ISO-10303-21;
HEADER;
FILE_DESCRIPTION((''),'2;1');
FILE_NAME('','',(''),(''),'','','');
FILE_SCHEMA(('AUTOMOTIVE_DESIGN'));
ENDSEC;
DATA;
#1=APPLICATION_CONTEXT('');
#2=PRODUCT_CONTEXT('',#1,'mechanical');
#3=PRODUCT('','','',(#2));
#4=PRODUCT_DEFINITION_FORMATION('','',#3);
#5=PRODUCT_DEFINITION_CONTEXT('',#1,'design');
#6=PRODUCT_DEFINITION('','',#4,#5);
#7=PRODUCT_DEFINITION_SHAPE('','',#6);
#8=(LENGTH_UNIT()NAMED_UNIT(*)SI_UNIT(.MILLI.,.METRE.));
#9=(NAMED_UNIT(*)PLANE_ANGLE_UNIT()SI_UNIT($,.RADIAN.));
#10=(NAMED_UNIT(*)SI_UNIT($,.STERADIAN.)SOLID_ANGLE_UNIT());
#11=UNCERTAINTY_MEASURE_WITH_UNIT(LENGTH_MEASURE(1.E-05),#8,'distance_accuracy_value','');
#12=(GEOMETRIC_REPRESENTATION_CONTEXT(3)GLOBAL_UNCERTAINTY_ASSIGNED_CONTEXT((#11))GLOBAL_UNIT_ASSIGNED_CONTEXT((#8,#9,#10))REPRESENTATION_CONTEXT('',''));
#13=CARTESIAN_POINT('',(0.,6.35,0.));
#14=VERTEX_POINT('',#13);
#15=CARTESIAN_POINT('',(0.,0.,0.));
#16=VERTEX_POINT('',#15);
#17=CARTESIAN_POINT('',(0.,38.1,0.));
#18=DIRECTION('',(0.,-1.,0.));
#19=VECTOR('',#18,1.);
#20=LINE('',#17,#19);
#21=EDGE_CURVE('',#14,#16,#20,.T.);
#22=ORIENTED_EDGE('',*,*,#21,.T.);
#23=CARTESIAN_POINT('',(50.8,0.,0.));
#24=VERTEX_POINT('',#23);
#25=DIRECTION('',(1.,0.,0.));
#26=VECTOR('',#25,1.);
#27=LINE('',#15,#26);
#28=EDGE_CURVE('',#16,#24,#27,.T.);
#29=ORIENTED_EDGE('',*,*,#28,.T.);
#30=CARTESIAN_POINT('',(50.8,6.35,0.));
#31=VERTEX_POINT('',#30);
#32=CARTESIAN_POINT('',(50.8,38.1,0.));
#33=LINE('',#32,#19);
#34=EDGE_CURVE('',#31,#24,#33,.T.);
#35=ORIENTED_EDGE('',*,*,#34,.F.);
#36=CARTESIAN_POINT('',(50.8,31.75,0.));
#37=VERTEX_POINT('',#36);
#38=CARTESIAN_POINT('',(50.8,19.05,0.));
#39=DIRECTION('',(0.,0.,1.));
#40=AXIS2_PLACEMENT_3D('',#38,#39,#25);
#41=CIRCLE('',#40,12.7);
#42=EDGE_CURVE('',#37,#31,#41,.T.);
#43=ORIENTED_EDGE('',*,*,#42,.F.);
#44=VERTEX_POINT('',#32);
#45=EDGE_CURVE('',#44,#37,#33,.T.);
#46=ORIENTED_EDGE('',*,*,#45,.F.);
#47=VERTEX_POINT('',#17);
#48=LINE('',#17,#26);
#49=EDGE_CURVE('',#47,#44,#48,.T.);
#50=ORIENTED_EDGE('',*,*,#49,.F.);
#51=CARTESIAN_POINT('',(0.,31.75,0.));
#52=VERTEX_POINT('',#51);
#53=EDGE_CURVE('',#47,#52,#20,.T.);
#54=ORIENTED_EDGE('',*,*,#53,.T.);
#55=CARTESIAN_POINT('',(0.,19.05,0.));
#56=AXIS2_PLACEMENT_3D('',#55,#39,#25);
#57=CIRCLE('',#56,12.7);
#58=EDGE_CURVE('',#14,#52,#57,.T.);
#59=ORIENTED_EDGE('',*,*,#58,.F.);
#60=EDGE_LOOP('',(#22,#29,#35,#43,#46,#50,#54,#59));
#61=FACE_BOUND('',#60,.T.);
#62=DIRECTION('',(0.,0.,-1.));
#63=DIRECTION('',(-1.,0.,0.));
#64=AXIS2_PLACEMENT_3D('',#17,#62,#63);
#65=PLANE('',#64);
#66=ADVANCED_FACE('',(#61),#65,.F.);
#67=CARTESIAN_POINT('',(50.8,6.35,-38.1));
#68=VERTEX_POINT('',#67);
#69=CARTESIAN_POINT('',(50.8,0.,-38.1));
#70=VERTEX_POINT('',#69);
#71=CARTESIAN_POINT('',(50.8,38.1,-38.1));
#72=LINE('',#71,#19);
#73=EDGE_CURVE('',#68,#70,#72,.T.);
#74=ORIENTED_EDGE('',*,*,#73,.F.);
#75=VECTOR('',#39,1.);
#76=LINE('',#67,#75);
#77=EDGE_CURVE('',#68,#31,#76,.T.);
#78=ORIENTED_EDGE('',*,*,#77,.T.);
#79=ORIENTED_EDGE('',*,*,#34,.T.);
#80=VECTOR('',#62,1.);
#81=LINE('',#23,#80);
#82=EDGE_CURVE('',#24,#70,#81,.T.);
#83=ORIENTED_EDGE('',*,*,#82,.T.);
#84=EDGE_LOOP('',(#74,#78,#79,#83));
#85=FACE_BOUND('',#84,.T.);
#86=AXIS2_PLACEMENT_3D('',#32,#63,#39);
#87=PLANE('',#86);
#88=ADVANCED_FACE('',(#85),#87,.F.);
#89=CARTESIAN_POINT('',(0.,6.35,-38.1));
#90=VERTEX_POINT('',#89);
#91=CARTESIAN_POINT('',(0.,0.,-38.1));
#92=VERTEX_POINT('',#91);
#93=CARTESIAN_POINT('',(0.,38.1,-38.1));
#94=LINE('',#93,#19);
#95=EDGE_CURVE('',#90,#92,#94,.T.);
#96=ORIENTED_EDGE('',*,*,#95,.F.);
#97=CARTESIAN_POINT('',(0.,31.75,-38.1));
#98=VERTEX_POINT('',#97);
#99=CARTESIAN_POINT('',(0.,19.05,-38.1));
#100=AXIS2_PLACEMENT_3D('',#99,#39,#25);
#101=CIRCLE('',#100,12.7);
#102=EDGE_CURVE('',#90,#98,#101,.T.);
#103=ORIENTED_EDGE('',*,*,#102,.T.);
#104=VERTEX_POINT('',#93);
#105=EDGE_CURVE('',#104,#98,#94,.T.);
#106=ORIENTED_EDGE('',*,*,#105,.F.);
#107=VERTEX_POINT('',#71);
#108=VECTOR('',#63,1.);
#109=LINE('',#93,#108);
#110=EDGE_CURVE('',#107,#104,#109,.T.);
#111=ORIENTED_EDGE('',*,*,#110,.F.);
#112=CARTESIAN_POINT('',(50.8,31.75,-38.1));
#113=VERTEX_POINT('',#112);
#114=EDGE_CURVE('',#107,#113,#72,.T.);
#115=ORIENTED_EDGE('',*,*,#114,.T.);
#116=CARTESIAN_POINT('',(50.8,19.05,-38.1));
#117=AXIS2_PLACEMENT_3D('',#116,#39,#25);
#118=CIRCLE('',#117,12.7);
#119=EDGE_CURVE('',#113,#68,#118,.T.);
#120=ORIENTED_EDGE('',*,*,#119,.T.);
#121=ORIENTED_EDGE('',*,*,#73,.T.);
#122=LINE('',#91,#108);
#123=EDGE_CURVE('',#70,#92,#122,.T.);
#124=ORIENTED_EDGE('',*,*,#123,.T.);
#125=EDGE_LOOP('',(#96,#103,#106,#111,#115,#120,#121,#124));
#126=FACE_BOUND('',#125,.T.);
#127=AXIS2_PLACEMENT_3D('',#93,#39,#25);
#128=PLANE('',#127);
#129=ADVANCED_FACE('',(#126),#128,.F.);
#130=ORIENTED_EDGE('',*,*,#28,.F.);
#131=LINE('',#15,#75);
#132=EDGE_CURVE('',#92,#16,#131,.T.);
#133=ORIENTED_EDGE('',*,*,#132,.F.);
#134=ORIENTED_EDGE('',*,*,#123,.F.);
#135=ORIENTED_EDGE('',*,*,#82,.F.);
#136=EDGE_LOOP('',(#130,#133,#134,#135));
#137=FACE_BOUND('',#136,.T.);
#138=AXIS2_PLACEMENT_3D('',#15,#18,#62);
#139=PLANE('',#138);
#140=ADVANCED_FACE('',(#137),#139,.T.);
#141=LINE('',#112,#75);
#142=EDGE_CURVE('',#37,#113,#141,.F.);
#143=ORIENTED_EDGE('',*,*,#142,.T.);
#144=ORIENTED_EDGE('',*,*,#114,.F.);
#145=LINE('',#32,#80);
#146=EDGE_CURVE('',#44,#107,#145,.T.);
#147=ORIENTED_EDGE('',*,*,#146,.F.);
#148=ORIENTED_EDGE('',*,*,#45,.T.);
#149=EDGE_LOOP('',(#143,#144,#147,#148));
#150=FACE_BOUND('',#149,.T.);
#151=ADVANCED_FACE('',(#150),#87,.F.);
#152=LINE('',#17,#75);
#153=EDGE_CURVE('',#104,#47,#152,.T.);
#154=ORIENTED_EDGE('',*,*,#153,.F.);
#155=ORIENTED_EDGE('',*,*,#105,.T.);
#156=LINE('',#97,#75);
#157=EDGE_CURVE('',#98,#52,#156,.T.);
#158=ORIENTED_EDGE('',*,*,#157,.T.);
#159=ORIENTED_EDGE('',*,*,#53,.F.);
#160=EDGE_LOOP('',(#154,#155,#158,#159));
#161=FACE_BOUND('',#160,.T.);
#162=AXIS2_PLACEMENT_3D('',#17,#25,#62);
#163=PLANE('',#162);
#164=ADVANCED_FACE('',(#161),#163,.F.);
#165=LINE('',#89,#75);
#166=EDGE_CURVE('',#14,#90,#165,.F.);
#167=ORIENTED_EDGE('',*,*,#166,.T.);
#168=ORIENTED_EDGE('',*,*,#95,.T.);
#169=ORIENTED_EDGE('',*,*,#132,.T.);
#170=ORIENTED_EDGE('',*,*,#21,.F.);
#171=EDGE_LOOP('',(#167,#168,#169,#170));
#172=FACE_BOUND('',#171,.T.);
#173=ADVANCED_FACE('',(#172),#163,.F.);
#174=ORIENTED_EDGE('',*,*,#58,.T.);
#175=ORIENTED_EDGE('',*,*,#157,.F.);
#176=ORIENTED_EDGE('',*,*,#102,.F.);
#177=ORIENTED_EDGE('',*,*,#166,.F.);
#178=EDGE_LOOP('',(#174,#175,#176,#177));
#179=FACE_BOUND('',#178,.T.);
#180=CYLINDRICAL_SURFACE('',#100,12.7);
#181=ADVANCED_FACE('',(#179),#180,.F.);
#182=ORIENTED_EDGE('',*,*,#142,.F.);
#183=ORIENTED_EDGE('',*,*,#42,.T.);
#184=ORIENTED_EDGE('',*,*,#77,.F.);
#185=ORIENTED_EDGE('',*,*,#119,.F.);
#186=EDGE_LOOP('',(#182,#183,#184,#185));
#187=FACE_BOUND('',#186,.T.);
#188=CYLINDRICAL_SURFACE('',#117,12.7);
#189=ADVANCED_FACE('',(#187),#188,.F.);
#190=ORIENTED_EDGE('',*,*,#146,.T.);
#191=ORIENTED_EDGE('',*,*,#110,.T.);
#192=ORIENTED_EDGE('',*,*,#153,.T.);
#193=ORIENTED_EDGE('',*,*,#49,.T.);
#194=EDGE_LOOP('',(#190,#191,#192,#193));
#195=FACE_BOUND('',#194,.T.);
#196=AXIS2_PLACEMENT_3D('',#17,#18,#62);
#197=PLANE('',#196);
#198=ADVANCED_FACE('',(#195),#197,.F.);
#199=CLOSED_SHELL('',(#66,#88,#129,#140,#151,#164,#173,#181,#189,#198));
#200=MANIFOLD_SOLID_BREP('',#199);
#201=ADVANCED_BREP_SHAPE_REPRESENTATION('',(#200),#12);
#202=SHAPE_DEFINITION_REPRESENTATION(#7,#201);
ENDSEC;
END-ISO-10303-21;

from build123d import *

# Parameters (mm, degrees)
SKETCH1_W           = 50.8
SKETCH1_H           = 38.1
BOSS_EXTRUDE1_DEPTH = 38.1
SKETCH2_R           = 12.7
CUT_EXTRUDE1_DEPTH  = 38.1


with BuildPart() as part:
    # Sketch1 → Boss-Extrude1 (new body)
    with BuildSketch(Plane(origin=(0, 0, 0), x_dir=(1, 0, 0), z_dir=(0, 1, 0))):
        with Locations((25.4, 19.05)):
            Rectangle(SKETCH1_W, SKETCH1_H)
    extrude(amount=BOSS_EXTRUDE1_DEPTH)

    # Sketch2 → Cut-Extrude1 (cut)
    with BuildSketch(Plane.XY):
        with Locations((0, 19.05)):
            Circle(SKETCH2_R)
        with Locations((50.8, 19.05)):
            Circle(SKETCH2_R)
    extrude(amount=-CUT_EXTRUDE1_DEPTH, mode=Mode.SUBTRACT)


solid = part.part
